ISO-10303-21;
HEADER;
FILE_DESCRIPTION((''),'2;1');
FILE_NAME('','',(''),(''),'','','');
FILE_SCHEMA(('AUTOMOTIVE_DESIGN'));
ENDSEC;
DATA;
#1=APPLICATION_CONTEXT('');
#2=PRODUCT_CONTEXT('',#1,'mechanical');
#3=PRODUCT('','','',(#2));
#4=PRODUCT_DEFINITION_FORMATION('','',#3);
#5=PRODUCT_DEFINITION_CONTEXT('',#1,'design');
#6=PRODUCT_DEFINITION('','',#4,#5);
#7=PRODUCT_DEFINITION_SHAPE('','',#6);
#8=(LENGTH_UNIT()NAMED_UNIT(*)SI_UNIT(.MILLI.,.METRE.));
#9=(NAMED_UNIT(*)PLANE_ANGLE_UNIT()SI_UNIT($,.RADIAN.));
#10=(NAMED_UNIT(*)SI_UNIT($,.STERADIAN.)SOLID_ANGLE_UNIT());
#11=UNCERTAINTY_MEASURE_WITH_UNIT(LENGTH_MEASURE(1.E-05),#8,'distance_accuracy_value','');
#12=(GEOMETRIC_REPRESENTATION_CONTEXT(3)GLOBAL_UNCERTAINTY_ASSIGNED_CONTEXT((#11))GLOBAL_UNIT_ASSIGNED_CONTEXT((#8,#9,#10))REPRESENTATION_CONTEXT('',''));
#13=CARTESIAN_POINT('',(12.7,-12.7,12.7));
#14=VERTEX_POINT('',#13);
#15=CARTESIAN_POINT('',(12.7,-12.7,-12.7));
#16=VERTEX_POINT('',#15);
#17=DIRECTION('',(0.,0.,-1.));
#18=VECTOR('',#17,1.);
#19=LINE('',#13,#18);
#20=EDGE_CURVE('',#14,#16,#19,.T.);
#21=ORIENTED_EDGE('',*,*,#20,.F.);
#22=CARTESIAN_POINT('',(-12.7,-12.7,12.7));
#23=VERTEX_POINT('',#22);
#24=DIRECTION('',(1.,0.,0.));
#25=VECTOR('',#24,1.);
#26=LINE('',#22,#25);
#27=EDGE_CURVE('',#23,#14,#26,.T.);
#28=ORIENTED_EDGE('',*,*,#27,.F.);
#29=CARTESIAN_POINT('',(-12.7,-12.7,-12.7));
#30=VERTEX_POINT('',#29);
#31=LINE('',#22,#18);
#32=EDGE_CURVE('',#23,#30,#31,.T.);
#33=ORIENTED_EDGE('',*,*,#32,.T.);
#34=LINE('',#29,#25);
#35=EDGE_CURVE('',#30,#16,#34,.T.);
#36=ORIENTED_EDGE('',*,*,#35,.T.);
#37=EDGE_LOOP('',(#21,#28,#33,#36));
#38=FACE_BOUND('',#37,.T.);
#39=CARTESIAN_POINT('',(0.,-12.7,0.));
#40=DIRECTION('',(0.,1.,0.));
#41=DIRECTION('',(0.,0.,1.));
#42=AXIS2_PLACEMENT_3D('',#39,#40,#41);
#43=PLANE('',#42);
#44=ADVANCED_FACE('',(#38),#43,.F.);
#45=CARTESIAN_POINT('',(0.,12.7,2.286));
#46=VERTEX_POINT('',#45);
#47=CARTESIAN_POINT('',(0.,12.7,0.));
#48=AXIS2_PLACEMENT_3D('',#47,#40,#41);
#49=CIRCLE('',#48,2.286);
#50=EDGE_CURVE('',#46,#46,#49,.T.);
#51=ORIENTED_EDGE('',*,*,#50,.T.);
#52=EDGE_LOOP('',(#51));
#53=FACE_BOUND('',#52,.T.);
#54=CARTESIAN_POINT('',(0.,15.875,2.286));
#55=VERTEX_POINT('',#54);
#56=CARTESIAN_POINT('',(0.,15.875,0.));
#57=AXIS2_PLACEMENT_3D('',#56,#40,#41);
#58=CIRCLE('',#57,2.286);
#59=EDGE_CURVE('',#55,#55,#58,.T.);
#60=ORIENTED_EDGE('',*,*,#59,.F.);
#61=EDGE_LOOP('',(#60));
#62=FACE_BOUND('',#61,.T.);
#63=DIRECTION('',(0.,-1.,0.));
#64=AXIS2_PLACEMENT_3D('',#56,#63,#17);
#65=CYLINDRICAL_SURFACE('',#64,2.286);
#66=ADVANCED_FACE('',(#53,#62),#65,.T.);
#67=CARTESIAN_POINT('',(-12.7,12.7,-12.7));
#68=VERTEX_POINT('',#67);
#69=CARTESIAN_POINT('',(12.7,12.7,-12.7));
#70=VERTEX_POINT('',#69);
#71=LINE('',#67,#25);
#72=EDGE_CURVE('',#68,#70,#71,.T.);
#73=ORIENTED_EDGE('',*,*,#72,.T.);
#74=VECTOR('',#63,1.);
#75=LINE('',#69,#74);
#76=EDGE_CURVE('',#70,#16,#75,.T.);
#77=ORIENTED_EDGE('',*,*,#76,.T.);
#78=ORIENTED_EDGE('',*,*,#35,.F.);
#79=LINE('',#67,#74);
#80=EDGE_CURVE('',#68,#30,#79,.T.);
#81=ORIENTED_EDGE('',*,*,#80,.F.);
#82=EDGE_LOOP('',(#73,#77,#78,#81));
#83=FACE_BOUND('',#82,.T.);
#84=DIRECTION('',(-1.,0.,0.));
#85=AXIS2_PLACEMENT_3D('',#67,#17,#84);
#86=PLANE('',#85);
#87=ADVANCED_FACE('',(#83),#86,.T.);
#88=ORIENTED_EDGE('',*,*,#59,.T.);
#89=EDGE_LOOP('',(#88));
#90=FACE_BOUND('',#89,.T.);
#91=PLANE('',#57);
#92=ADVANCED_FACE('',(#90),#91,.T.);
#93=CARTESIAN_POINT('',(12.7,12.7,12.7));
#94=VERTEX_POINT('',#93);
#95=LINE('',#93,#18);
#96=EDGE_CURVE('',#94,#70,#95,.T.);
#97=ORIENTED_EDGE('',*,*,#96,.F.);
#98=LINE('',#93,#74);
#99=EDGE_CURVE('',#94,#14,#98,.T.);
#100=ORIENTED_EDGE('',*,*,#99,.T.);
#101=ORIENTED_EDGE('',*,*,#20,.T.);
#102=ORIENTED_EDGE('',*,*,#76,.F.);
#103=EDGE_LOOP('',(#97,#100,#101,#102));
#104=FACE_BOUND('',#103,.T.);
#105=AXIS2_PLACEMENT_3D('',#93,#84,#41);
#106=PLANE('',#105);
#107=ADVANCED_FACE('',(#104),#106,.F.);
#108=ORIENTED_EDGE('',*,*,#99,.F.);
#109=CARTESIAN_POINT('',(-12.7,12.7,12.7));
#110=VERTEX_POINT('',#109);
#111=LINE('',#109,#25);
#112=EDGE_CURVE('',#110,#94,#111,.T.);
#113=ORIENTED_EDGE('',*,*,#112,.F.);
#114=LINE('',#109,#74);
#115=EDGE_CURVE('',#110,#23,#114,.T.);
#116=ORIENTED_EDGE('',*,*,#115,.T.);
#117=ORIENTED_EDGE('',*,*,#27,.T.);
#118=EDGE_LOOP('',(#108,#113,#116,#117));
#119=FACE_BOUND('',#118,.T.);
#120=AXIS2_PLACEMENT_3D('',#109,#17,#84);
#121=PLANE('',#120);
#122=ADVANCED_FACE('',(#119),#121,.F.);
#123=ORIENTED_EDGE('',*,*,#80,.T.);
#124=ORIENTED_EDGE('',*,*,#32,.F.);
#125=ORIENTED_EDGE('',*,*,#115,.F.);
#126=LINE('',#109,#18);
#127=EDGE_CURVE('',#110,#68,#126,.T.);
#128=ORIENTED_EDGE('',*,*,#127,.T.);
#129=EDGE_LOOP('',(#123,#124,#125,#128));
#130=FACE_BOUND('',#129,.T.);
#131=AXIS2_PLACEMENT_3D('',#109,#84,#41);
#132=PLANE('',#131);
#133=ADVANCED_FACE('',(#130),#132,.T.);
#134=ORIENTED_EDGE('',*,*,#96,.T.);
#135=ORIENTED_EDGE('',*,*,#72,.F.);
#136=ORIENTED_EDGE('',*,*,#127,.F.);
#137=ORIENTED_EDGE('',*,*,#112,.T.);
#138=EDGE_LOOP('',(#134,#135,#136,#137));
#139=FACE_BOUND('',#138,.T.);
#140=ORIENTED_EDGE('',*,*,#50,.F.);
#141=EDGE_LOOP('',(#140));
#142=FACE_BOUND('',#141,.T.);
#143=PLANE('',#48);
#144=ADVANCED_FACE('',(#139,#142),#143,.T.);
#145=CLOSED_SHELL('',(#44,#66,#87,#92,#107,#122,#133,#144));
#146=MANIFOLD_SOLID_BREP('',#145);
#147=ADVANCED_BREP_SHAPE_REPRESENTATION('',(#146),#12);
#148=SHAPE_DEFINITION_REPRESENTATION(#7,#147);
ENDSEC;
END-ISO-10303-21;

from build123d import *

# Parameters (mm, degrees)
SKETCH1_W           = 25.4
SKETCH1_H           = 25.4
BOSS_EXTRUDE1_DEPTH = 12.7
SKETCH2_R           = 2.286
BOSS_EXTRUDE2_DEPTH = 3.175


with BuildPart() as part:
    # Sketch1 → Boss-Extrude1 (new body, symmetric)
    with BuildSketch(Plane(origin=(0, 0, 0), x_dir=(1, 0, 0), z_dir=(0, 1, 0))):
        Rectangle(SKETCH1_W, SKETCH1_H)
    extrude(amount=BOSS_EXTRUDE1_DEPTH, both=True)

    # Sketch2 → Boss-Extrude2 (add)
    with BuildSketch(Plane(origin=(0, 12.7, 0), x_dir=(1, 0, 0), z_dir=(0, 1, 0))):
        Circle(SKETCH2_R)
    extrude(amount=BOSS_EXTRUDE2_DEPTH)


solid = part.part
